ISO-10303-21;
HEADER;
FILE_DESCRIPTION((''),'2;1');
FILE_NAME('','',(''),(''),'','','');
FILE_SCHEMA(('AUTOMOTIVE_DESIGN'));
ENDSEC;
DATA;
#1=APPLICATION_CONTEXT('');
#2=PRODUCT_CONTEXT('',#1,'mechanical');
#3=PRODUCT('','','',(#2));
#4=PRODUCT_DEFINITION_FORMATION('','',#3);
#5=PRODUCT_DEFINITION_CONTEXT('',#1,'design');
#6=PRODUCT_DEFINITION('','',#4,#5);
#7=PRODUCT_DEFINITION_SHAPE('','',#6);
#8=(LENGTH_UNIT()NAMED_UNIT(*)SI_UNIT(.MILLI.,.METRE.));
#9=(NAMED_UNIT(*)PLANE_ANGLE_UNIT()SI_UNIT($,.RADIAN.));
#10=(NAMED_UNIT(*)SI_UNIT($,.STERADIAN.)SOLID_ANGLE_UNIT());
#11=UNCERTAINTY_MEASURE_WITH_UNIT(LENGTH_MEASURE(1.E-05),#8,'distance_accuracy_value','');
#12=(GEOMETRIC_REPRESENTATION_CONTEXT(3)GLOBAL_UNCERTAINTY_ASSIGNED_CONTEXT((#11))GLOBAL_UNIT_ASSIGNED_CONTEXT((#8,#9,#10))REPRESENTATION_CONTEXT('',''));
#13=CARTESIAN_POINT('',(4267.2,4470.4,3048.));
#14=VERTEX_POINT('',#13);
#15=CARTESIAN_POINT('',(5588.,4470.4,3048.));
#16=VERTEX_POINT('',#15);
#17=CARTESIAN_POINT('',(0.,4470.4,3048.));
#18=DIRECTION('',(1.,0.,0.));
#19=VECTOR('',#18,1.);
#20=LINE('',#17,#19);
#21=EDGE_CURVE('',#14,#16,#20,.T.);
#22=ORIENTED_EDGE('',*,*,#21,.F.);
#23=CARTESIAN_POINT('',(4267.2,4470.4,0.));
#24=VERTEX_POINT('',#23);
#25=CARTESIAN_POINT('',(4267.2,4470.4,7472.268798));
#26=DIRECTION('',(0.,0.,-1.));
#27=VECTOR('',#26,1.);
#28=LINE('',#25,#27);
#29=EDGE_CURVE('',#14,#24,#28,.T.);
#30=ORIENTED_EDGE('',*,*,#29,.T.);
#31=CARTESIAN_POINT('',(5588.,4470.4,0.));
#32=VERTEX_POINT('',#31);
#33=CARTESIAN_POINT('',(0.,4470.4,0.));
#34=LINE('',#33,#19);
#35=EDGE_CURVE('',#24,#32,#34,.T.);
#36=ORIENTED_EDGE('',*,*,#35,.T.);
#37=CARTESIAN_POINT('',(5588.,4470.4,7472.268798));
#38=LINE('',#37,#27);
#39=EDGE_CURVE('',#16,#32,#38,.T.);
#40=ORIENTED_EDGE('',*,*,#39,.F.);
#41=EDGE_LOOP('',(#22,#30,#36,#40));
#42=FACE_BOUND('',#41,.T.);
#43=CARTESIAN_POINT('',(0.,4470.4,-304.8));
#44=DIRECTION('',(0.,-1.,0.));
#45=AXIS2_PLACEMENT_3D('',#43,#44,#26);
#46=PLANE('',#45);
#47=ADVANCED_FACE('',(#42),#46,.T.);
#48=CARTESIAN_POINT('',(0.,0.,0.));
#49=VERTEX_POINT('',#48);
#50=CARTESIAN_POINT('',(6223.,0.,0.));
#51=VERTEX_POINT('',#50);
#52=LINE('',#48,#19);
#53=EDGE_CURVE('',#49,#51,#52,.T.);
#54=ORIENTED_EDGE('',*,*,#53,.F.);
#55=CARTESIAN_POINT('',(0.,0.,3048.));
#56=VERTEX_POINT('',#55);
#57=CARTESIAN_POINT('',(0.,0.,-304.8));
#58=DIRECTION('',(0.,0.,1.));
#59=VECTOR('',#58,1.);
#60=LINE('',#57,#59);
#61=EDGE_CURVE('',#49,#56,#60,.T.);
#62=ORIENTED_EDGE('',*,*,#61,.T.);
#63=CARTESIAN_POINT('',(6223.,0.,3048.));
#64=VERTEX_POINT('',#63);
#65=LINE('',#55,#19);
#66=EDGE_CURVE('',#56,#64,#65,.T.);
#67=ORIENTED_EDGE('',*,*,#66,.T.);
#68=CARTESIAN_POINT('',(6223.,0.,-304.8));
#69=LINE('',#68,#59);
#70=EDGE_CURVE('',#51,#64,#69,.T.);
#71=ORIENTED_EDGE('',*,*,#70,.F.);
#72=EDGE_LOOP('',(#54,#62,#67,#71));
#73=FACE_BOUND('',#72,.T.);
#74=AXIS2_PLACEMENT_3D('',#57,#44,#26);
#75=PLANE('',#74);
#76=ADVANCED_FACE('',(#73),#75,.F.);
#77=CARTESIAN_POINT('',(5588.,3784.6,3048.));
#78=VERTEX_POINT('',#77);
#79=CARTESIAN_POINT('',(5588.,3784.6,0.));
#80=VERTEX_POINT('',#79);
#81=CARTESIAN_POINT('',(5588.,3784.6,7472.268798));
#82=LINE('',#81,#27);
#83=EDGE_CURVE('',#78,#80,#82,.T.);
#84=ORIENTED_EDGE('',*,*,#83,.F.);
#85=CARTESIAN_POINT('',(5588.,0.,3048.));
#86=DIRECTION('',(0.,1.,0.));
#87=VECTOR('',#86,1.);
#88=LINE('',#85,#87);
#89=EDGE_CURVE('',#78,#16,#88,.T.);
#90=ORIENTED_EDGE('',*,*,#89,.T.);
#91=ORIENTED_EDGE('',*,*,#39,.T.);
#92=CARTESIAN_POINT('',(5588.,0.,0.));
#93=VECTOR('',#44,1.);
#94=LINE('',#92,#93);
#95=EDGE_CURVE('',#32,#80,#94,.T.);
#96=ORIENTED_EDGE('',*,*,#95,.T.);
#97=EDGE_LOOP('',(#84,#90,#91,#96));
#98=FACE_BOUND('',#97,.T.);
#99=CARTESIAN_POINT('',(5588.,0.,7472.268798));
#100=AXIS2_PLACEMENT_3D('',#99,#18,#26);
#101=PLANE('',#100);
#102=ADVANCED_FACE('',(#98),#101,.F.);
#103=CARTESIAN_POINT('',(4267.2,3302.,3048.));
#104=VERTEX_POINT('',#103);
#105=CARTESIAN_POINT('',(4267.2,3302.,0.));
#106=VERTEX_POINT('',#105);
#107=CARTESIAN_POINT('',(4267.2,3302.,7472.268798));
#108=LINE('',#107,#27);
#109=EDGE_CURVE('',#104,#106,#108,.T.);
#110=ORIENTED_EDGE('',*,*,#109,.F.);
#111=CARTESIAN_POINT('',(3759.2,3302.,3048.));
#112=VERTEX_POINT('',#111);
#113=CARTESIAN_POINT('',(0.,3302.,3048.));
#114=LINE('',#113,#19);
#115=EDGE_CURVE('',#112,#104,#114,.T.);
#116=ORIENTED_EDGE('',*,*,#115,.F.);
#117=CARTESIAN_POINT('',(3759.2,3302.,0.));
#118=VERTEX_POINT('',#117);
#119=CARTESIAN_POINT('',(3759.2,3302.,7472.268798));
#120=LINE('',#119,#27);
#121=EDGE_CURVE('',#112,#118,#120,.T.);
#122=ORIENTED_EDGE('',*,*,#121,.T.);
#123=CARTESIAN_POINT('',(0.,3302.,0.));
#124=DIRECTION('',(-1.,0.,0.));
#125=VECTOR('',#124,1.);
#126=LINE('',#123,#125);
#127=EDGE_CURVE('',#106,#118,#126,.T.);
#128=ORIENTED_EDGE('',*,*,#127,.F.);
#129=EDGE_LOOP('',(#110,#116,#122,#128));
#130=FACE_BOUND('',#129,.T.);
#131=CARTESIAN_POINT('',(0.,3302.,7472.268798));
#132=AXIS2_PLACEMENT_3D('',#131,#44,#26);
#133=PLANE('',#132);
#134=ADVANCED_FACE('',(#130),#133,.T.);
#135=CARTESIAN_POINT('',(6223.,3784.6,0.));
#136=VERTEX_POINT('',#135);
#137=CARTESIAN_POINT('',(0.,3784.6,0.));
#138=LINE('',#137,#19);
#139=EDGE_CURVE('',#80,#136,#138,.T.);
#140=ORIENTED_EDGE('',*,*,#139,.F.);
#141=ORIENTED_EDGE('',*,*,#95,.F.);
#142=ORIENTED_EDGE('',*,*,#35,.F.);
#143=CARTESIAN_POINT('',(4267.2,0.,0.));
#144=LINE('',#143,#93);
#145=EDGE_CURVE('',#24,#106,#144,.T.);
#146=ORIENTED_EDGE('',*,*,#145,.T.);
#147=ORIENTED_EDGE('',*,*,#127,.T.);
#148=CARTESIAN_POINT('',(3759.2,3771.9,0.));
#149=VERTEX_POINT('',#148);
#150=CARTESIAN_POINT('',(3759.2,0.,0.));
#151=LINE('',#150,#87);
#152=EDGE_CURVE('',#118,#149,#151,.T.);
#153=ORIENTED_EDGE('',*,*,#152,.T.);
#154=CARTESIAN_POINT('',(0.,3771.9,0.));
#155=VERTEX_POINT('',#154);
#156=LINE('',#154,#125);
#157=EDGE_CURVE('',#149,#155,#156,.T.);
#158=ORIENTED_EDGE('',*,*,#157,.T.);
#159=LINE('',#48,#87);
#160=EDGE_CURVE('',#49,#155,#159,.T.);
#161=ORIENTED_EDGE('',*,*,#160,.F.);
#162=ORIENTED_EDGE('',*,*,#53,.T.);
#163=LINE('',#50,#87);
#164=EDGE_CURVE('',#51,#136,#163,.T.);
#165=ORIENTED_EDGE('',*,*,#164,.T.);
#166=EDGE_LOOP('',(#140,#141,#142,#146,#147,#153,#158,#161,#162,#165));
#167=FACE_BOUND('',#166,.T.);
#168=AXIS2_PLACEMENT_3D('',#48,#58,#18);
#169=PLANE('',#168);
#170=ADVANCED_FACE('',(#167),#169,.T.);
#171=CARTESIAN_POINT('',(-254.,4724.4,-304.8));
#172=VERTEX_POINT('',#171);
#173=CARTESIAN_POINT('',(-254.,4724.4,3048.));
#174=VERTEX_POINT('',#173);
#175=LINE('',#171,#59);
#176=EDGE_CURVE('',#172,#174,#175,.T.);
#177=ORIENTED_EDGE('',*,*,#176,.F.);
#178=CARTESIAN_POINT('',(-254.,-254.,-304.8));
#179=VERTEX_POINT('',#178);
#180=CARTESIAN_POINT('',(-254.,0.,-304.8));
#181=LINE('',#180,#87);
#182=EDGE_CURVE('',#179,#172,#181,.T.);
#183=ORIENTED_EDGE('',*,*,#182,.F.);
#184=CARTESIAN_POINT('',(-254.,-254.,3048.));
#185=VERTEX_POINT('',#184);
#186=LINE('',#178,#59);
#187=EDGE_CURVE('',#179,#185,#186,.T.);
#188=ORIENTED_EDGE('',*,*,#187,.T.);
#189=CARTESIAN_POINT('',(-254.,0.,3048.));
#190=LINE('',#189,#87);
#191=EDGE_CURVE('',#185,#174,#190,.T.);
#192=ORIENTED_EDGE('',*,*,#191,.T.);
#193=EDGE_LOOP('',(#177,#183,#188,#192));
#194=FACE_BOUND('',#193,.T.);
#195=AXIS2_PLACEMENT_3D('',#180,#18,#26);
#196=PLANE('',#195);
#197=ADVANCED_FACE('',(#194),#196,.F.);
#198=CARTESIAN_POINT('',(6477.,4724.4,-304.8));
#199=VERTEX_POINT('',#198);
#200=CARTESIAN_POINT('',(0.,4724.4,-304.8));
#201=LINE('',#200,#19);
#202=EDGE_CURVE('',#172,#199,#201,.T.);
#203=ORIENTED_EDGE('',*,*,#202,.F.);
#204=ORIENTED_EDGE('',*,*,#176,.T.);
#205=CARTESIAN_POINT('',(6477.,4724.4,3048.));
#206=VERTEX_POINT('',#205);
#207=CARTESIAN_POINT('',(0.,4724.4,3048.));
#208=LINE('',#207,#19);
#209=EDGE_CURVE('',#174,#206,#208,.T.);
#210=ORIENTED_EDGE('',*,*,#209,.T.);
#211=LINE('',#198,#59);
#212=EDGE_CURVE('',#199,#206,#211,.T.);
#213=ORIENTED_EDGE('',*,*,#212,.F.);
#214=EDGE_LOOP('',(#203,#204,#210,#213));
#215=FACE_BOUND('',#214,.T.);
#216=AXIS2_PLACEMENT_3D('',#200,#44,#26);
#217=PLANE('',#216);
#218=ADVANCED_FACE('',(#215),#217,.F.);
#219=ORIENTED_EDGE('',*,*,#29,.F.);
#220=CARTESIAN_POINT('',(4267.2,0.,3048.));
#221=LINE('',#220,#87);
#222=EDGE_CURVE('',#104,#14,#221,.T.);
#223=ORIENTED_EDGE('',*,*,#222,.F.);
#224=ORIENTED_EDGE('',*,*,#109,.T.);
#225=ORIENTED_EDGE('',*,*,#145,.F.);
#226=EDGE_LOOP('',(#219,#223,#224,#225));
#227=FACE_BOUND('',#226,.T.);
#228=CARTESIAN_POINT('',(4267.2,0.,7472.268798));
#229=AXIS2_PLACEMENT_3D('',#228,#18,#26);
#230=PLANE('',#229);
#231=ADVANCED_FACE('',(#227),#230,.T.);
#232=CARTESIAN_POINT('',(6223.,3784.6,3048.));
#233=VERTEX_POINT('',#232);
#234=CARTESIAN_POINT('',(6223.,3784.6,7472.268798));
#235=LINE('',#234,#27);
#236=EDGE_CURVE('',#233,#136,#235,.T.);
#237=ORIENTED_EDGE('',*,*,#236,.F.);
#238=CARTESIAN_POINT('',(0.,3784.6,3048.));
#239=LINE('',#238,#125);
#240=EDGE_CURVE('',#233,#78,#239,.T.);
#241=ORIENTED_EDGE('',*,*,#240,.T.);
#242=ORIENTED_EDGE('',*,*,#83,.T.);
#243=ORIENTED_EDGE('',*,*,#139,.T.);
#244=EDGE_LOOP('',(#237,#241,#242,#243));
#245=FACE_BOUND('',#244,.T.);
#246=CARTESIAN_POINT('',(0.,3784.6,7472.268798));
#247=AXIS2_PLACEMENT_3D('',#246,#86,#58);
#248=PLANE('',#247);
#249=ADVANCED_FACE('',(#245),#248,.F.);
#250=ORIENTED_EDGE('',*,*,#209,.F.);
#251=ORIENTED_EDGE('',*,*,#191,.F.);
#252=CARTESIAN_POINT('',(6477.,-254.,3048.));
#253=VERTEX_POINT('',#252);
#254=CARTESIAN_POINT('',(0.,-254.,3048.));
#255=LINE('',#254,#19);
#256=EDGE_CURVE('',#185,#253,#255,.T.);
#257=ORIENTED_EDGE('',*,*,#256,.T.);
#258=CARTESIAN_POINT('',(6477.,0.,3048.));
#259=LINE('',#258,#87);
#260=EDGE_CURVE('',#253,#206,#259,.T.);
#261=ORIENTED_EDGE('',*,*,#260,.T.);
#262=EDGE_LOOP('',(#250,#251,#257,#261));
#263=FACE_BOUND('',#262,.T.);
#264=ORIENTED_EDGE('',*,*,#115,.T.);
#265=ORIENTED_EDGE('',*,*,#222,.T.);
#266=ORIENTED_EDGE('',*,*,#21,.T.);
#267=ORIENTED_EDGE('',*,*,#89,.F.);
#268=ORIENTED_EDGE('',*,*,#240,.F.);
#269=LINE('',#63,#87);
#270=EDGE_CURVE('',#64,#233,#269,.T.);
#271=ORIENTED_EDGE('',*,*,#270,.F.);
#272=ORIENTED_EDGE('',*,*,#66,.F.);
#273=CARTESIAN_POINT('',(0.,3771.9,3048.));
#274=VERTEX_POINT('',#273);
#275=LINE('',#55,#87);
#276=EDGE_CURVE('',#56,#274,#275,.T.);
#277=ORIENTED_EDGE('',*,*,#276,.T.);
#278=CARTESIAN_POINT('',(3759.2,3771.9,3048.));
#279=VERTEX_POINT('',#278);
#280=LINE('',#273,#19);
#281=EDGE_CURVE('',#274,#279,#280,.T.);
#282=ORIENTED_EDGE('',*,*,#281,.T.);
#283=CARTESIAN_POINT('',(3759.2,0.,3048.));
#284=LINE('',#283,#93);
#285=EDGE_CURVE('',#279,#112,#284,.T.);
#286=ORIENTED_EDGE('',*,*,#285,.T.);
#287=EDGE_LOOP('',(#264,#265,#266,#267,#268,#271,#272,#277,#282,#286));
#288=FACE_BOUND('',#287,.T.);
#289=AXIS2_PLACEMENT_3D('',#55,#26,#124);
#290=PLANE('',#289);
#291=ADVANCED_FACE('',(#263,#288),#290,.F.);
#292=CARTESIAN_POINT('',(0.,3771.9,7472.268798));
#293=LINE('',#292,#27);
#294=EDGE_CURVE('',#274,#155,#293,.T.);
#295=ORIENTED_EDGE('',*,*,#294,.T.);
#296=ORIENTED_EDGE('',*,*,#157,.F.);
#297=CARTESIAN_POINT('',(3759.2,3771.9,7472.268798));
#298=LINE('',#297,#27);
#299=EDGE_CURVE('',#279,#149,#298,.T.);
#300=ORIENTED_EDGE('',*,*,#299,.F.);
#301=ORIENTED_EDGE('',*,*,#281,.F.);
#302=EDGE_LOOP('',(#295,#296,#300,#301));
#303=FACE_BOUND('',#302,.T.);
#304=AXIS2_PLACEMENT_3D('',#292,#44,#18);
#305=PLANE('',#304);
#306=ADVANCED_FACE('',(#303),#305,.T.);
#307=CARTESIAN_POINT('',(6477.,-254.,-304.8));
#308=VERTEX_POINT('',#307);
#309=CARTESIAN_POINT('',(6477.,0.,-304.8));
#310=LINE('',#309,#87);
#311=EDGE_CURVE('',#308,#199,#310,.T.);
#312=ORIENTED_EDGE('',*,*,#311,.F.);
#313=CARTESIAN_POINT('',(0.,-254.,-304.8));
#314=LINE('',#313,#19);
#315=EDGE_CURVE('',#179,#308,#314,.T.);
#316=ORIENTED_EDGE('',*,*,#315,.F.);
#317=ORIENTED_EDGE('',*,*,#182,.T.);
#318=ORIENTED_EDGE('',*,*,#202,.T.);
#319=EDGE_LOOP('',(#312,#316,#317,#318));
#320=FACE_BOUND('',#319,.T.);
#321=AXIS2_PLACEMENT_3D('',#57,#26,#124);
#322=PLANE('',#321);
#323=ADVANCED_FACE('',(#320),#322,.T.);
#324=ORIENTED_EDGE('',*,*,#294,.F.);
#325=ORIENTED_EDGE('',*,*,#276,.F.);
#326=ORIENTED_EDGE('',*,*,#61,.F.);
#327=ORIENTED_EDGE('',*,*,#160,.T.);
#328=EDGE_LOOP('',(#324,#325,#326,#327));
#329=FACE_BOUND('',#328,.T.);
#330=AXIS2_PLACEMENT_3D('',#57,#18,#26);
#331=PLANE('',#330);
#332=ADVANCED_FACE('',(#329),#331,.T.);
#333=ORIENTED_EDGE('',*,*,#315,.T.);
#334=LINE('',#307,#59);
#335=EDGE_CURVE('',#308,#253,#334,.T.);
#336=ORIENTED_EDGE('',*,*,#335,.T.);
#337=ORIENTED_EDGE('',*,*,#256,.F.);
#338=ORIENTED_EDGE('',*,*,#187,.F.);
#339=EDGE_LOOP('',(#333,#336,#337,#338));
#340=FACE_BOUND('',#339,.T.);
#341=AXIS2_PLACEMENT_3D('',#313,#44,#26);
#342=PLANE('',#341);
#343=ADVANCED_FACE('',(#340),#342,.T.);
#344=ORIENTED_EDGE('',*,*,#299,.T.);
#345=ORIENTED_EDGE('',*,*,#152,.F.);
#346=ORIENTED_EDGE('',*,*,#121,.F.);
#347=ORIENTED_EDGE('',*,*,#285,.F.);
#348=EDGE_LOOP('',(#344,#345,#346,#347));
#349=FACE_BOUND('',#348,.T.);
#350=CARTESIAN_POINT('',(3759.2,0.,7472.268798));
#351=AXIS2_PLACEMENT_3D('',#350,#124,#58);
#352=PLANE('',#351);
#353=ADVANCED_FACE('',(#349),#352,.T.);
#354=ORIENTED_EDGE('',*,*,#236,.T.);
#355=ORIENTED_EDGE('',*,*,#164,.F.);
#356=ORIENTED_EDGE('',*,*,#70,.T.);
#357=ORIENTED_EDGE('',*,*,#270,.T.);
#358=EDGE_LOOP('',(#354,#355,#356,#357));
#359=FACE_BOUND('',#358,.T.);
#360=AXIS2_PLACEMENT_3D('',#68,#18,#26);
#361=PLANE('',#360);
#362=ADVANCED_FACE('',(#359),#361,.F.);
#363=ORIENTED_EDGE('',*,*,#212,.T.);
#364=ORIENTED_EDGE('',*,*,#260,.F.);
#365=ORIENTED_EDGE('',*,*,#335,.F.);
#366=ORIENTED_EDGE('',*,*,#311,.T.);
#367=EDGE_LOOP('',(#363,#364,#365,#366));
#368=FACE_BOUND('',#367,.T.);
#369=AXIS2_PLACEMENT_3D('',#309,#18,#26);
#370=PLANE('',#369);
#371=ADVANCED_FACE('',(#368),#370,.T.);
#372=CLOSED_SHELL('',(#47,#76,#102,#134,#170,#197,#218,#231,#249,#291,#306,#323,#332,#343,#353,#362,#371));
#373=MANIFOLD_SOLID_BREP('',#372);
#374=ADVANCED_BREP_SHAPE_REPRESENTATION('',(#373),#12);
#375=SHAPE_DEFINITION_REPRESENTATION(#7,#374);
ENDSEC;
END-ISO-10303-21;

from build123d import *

# Parameters (mm, degrees)
EXTRUDE_THIN1_DEPTH      = 3048
EXTRUDE_THIN1_DEPTH_BACK = 304.8
SKETCH1_W                = 6731
SKETCH1_H                = 4978.4
SKETCH1_W_2              = 6223
SKETCH1_H_2              = 4470.4
SKETCH1_4_W              = 3759.2
SKETCH1_4_H              = 698.5
SKETCH1_4_W_2            = 635
SKETCH1_4_H_2            = 685.8
BOSS_EXTRUDE1_DEPTH      = 304.8
SKETCH1_5_W              = 3759.2
SKETCH1_5_H              = 698.5
SKETCH1_5_W_2            = 635
SKETCH1_5_H_2            = 685.8
BOSS_EXTRUDE2_DEPTH      = 3048


with BuildPart() as part:
    # Sketch1 → Extrude-Thin1 (new, two sides: drawn at the far end of the back side and taken through both)
    with BuildSketch(Plane.XY.offset(-EXTRUDE_THIN1_DEPTH_BACK)):
        with Locations((3111.5, 2235.2)):
            Rectangle(SKETCH1_W, SKETCH1_H)
        with Locations((3111.5, 2235.2)):
            Rectangle(SKETCH1_W_2, SKETCH1_H_2, mode=Mode.SUBTRACT)
    extrude(amount=EXTRUDE_THIN1_DEPTH + EXTRUDE_THIN1_DEPTH_BACK)

    # Sketch1<4> → Boss-Extrude1 (add)
    with BuildSketch(Plane.XY):
        Polygon((5588, 3784.6), (5588, 4470.4), (4267.2, 4470.4), (4267.2, 3302), (3759.2, 3302), (3759.2, 3771.9), (0, 3771.9), (0, 0), (6223, 0), (6223, 3784.6), align=None)
        with Locations((1879.6, 4121.15)):
            Rectangle(SKETCH1_4_W, SKETCH1_4_H)
        Polygon((4267.2, 3302), (4267.2, 4470.4), (3759.2, 4470.4), (3759.2, 3771.9), (3759.2, 3302), align=None)
        with Locations((5905.5, 4127.5)):
            Rectangle(SKETCH1_4_W_2, SKETCH1_4_H_2)
    extrude(amount=-BOSS_EXTRUDE1_DEPTH)

    # Sketch1<5> → Boss-Extrude2 (add)
    with BuildSketch(Plane.XY):
        with Locations((1879.6, 4121.15)):
            Rectangle(SKETCH1_5_W, SKETCH1_5_H)
        Polygon((4267.2, 3302), (4267.2, 4470.4), (3759.2, 4470.4), (3759.2, 3771.9), (3759.2, 3302), align=None)
        with Locations((5905.5, 4127.5)):
            Rectangle(SKETCH1_5_W_2, SKETCH1_5_H_2)
    extrude(amount=BOSS_EXTRUDE2_DEPTH)


solid = part.part
